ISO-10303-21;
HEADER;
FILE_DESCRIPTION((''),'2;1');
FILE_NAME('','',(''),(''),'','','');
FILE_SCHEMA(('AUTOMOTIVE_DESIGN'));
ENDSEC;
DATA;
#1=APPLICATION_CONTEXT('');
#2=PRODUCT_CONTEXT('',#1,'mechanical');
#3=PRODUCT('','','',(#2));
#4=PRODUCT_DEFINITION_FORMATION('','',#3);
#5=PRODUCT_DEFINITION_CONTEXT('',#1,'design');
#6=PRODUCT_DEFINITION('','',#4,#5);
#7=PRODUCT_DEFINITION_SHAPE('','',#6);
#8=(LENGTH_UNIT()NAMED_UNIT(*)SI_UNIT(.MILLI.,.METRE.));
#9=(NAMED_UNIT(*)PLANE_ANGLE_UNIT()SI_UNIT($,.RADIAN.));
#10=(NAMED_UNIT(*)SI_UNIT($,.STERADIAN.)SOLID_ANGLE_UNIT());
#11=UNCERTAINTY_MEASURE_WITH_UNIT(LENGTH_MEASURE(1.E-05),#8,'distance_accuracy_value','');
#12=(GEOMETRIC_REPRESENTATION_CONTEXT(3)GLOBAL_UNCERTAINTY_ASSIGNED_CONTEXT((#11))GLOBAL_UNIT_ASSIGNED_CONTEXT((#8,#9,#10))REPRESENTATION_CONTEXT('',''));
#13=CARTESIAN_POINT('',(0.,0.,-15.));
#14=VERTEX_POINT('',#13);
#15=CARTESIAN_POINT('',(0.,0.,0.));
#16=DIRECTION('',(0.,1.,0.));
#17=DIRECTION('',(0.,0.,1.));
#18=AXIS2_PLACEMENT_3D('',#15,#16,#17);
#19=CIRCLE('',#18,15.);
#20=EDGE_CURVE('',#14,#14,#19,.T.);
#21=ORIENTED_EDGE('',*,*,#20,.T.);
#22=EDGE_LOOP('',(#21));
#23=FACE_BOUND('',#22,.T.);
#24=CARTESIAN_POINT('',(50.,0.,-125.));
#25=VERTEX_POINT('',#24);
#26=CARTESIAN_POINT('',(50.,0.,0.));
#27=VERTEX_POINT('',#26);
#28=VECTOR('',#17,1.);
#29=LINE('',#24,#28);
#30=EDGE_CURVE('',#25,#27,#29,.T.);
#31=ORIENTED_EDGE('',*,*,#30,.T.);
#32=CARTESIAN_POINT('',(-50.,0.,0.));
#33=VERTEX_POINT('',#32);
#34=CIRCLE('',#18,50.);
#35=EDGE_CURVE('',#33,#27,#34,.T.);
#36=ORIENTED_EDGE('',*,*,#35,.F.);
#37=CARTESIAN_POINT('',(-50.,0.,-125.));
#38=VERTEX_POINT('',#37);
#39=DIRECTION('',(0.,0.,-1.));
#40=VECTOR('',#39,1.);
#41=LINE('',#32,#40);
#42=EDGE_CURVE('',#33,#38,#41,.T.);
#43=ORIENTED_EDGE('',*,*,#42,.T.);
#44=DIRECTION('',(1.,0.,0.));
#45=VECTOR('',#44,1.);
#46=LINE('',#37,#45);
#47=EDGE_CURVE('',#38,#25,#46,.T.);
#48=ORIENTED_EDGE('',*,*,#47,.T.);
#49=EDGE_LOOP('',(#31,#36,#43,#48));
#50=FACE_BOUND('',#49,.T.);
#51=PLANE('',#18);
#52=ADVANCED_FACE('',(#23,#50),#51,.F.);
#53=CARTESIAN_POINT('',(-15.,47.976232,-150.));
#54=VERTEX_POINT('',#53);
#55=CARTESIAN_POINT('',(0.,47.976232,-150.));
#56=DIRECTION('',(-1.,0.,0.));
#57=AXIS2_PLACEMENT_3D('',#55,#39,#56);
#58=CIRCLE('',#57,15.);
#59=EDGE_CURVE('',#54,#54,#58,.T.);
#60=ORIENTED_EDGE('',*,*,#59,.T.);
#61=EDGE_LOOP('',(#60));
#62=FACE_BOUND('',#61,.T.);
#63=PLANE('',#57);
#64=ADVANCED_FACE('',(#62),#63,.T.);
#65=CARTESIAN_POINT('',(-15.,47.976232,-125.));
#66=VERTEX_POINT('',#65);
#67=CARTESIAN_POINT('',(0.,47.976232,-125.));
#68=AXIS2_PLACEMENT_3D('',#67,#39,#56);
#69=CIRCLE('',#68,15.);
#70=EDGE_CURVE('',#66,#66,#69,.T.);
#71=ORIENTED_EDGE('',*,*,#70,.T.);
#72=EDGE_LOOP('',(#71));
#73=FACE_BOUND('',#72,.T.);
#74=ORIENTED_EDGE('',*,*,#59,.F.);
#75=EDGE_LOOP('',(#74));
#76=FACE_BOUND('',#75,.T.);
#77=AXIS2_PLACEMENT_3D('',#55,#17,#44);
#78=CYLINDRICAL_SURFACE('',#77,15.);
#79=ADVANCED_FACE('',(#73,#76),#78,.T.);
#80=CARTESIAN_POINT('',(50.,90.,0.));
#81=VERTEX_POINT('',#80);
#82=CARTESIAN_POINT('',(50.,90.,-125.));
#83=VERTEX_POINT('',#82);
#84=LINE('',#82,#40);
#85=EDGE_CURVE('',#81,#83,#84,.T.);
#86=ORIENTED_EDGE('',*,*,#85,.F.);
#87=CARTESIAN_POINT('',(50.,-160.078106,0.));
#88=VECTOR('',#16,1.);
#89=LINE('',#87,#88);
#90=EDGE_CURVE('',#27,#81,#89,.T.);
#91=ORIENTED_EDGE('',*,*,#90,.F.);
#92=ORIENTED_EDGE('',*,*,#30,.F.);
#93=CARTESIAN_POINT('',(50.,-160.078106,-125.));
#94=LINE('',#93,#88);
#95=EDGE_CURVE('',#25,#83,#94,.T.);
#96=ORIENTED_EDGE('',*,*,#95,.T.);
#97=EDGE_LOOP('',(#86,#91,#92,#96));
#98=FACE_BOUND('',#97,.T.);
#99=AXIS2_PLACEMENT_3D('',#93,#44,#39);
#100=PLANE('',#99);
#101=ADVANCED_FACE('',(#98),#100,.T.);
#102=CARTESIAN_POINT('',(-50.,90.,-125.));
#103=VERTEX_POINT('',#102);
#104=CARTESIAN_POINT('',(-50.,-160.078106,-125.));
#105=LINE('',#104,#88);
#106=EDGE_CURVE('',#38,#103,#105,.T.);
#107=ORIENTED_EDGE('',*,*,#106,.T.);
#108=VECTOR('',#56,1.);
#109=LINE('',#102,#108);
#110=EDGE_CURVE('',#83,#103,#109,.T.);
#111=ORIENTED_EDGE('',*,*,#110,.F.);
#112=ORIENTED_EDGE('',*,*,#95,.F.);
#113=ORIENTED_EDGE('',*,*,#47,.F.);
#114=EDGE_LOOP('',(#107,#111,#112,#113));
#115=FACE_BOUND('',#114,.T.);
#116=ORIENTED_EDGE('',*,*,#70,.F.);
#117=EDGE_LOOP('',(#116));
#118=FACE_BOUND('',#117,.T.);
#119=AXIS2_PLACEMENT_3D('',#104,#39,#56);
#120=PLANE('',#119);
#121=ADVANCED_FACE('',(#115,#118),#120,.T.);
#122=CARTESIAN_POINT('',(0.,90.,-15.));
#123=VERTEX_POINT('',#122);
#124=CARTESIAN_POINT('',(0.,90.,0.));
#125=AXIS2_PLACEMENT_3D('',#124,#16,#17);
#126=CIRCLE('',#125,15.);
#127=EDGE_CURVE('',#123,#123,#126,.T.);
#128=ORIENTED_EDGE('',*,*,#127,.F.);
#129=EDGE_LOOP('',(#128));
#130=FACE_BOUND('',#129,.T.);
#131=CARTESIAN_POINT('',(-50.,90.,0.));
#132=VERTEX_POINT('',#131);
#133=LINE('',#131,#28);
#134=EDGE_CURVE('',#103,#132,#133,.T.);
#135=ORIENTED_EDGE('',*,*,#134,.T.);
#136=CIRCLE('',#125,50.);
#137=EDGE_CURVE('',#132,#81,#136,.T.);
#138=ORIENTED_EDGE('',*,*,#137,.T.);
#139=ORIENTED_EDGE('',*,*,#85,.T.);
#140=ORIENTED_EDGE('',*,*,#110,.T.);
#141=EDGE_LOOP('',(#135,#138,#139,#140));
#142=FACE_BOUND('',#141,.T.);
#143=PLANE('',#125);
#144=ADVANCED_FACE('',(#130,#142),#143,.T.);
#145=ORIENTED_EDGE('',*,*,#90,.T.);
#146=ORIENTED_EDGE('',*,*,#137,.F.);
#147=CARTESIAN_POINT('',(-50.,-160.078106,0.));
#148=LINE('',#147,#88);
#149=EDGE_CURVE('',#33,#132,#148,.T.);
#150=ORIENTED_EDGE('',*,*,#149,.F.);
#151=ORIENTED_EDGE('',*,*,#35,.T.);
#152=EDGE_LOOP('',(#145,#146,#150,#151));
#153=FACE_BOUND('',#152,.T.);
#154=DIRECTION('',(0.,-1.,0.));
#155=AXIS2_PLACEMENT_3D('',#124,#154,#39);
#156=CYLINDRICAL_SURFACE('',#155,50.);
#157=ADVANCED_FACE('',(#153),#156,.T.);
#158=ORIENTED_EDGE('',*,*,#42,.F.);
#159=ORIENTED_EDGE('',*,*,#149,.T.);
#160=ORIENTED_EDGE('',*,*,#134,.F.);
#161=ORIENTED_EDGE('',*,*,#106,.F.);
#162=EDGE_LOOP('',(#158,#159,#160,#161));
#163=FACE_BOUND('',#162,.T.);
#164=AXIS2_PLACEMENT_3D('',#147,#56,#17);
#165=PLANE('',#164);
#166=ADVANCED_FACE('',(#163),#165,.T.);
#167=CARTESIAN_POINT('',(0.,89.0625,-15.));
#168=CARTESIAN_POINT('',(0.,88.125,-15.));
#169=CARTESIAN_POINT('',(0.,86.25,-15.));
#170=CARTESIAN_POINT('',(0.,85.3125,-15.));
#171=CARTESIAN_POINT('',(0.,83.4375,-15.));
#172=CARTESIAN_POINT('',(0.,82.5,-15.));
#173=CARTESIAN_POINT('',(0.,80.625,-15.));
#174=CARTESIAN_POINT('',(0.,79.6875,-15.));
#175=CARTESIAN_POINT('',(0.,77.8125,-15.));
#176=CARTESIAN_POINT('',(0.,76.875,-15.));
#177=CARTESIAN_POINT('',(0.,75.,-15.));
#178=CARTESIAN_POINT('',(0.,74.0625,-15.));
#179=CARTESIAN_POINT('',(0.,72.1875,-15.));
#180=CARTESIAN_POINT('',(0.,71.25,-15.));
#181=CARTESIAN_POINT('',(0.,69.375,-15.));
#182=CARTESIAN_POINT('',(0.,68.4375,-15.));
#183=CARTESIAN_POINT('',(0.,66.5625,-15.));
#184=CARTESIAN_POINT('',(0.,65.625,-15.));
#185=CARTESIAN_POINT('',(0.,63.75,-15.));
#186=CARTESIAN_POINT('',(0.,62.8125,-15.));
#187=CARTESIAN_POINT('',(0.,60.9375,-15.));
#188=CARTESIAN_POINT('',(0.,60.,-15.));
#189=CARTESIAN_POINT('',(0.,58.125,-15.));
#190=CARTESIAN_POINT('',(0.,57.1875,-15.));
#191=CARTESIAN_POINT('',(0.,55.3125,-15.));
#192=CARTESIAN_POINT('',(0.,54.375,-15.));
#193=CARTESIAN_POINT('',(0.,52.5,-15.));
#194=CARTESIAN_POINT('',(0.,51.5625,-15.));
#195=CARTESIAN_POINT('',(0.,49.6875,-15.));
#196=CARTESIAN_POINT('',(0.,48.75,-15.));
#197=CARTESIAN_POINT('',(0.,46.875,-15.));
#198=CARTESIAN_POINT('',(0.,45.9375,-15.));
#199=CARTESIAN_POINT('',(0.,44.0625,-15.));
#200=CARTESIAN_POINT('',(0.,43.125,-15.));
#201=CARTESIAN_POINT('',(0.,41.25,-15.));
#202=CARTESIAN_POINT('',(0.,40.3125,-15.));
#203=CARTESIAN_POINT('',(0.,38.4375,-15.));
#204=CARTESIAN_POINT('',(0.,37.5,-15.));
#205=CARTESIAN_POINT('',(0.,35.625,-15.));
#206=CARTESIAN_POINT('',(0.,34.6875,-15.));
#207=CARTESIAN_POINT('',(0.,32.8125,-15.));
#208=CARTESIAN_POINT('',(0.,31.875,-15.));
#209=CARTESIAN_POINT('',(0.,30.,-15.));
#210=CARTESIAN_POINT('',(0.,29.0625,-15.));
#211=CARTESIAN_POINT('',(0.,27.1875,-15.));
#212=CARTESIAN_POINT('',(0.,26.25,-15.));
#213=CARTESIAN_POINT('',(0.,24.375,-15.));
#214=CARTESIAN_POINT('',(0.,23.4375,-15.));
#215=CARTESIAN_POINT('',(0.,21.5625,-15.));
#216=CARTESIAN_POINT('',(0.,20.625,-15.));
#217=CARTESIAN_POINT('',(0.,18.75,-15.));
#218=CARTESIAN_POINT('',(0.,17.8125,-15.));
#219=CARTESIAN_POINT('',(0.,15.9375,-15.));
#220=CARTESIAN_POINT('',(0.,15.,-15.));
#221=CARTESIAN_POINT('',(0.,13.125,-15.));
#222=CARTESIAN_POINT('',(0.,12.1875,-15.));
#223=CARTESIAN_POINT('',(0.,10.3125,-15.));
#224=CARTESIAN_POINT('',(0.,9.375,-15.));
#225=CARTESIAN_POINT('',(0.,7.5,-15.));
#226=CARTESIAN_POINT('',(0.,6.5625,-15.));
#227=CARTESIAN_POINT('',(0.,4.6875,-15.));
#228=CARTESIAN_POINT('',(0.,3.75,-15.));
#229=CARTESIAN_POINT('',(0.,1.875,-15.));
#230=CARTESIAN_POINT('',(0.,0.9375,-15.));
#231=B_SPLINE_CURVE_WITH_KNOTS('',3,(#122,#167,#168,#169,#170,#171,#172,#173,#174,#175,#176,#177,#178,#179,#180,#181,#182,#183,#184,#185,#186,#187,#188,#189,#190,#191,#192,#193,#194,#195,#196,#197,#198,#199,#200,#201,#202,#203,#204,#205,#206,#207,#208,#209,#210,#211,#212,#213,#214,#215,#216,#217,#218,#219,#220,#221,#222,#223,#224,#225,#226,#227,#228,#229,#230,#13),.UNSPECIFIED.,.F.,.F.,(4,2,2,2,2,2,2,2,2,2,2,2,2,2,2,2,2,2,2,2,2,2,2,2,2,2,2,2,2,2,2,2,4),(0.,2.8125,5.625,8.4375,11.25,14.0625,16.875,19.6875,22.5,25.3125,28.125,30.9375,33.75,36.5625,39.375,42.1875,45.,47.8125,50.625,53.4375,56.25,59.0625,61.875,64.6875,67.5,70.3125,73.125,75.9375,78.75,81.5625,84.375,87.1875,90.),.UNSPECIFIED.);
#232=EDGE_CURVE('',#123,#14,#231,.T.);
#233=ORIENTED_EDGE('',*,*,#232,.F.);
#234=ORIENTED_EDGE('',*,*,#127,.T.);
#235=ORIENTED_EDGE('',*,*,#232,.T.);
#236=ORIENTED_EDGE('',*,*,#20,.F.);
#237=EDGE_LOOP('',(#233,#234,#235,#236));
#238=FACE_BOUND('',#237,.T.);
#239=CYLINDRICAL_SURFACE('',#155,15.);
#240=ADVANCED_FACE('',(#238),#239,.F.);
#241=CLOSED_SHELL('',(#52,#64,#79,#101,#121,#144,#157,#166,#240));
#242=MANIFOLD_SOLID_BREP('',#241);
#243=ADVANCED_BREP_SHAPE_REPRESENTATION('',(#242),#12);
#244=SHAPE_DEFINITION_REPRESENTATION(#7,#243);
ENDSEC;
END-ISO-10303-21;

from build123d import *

# Parameters (mm, degrees)
SKETCH2_R           = 50
SKETCH2_R_2         = 15
BOSS_EXTRUDE1_DEPTH = 90
BOSS_EXTRUDE2_START = -90
BOSS_EXTRUDE2_DEPTH = 90
SKETCH4_R           = 15
BOSS_EXTRUDE3_DEPTH = 25


with BuildPart() as part:
    # Sketch2 → Boss-Extrude1 (new body)
    with BuildSketch(Plane(origin=(0, 0, 0), x_dir=(1, 0, 0), z_dir=(0, 1, 0))):
        with Locations(Location((0, 0, 0), (0, 0, 90))):
            Circle(SKETCH2_R)
        with Locations(Location((0, 0, 0), (0, 0, 90))):
            Circle(SKETCH2_R_2, mode=Mode.SUBTRACT)
    extrude(amount=BOSS_EXTRUDE1_DEPTH)

    # Sketch3 → Boss-Extrude2 (add)
    with BuildSketch(Plane(origin=(0, 90, 0), x_dir=(1, 0, 0), z_dir=(0, 1, 0)).offset(BOSS_EXTRUDE2_START)):
        with BuildLine():
            Line((-50, 0), (-50, 125))
            Line((-50, 125), (50, 125))
            Line((50, 125), (50, 0))
            ThreePointArc((50, 0), (0, 50), (-50, 0))
        make_face()
    extrude(amount=BOSS_EXTRUDE2_DEPTH)

    # Sketch4 → Boss-Extrude3 (add)
    with BuildSketch(Plane(origin=(0, 0, -125), x_dir=(-1, 0, 0), z_dir=(0, 0, -1))):
        with Locations((0, 47.976232204)):
            Circle(SKETCH4_R)
    extrude(amount=BOSS_EXTRUDE3_DEPTH)


solid = part.part
